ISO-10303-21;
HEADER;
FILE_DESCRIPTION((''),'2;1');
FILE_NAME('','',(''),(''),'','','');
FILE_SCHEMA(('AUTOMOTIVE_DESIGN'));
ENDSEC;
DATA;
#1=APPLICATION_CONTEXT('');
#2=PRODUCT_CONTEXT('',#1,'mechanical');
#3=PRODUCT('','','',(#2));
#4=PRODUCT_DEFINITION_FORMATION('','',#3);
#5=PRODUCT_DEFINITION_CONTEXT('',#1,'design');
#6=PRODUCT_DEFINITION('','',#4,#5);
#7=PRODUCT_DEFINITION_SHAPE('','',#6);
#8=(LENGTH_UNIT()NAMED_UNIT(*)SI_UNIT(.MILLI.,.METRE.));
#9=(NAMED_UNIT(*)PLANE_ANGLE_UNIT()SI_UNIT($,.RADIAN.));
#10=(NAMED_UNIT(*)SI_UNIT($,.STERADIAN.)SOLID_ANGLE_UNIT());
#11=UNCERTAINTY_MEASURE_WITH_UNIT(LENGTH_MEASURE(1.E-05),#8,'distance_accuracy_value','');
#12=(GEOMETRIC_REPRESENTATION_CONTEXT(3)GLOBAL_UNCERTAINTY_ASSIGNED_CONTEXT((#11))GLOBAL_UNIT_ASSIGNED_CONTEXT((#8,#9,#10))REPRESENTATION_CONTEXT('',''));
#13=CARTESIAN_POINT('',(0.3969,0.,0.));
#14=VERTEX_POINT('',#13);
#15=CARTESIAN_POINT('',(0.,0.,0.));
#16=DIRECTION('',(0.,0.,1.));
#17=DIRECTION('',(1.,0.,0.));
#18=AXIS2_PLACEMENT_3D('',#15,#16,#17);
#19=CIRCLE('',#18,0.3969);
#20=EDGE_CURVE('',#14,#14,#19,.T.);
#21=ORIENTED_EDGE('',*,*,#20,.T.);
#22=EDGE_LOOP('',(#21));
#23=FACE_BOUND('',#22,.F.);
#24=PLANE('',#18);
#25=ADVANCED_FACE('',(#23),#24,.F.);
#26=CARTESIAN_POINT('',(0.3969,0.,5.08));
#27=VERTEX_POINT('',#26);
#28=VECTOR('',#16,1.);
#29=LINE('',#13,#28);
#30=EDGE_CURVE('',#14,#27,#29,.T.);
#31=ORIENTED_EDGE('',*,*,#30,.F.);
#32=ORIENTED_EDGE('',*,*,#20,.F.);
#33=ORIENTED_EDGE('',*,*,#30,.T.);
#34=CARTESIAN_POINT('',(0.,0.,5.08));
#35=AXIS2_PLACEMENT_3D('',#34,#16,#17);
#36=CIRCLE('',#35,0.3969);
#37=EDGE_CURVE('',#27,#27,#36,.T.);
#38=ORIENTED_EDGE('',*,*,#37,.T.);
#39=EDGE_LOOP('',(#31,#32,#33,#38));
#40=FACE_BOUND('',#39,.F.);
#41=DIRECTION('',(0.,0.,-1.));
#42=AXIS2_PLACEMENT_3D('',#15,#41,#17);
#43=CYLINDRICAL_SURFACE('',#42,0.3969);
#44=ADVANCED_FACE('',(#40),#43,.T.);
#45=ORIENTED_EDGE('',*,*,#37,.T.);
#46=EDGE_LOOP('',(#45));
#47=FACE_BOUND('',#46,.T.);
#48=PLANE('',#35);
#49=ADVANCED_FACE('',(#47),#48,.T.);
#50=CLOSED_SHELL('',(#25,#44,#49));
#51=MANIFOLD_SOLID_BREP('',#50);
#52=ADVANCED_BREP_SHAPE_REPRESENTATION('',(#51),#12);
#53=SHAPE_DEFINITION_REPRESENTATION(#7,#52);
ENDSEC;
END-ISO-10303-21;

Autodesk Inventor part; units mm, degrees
ref_plane "YZ Plane" through (0, 0, 0) normal (1, 0, 0) x (0, 1, 0)
ref_plane "XZ Plane" through (0, 0, 0) normal (0, 1, 0) x (-1, 0, 0)
ref_plane "XY Plane" through (0, 0, 0) normal (0, 0, 1) x (1, 0, 0)
sketch "Sketch1" plane through (0, 0, 0) normal (0, 0, 1) x (1, 0, 0)
  circle A0 centre (0, 0) radius 0.3969
  dimension "d0" = 0.7937
extrude "Extrusion1" add sketch "Sketch1" along normal blind 5.08
properties part number "Conn Rod Wrist Pin"
